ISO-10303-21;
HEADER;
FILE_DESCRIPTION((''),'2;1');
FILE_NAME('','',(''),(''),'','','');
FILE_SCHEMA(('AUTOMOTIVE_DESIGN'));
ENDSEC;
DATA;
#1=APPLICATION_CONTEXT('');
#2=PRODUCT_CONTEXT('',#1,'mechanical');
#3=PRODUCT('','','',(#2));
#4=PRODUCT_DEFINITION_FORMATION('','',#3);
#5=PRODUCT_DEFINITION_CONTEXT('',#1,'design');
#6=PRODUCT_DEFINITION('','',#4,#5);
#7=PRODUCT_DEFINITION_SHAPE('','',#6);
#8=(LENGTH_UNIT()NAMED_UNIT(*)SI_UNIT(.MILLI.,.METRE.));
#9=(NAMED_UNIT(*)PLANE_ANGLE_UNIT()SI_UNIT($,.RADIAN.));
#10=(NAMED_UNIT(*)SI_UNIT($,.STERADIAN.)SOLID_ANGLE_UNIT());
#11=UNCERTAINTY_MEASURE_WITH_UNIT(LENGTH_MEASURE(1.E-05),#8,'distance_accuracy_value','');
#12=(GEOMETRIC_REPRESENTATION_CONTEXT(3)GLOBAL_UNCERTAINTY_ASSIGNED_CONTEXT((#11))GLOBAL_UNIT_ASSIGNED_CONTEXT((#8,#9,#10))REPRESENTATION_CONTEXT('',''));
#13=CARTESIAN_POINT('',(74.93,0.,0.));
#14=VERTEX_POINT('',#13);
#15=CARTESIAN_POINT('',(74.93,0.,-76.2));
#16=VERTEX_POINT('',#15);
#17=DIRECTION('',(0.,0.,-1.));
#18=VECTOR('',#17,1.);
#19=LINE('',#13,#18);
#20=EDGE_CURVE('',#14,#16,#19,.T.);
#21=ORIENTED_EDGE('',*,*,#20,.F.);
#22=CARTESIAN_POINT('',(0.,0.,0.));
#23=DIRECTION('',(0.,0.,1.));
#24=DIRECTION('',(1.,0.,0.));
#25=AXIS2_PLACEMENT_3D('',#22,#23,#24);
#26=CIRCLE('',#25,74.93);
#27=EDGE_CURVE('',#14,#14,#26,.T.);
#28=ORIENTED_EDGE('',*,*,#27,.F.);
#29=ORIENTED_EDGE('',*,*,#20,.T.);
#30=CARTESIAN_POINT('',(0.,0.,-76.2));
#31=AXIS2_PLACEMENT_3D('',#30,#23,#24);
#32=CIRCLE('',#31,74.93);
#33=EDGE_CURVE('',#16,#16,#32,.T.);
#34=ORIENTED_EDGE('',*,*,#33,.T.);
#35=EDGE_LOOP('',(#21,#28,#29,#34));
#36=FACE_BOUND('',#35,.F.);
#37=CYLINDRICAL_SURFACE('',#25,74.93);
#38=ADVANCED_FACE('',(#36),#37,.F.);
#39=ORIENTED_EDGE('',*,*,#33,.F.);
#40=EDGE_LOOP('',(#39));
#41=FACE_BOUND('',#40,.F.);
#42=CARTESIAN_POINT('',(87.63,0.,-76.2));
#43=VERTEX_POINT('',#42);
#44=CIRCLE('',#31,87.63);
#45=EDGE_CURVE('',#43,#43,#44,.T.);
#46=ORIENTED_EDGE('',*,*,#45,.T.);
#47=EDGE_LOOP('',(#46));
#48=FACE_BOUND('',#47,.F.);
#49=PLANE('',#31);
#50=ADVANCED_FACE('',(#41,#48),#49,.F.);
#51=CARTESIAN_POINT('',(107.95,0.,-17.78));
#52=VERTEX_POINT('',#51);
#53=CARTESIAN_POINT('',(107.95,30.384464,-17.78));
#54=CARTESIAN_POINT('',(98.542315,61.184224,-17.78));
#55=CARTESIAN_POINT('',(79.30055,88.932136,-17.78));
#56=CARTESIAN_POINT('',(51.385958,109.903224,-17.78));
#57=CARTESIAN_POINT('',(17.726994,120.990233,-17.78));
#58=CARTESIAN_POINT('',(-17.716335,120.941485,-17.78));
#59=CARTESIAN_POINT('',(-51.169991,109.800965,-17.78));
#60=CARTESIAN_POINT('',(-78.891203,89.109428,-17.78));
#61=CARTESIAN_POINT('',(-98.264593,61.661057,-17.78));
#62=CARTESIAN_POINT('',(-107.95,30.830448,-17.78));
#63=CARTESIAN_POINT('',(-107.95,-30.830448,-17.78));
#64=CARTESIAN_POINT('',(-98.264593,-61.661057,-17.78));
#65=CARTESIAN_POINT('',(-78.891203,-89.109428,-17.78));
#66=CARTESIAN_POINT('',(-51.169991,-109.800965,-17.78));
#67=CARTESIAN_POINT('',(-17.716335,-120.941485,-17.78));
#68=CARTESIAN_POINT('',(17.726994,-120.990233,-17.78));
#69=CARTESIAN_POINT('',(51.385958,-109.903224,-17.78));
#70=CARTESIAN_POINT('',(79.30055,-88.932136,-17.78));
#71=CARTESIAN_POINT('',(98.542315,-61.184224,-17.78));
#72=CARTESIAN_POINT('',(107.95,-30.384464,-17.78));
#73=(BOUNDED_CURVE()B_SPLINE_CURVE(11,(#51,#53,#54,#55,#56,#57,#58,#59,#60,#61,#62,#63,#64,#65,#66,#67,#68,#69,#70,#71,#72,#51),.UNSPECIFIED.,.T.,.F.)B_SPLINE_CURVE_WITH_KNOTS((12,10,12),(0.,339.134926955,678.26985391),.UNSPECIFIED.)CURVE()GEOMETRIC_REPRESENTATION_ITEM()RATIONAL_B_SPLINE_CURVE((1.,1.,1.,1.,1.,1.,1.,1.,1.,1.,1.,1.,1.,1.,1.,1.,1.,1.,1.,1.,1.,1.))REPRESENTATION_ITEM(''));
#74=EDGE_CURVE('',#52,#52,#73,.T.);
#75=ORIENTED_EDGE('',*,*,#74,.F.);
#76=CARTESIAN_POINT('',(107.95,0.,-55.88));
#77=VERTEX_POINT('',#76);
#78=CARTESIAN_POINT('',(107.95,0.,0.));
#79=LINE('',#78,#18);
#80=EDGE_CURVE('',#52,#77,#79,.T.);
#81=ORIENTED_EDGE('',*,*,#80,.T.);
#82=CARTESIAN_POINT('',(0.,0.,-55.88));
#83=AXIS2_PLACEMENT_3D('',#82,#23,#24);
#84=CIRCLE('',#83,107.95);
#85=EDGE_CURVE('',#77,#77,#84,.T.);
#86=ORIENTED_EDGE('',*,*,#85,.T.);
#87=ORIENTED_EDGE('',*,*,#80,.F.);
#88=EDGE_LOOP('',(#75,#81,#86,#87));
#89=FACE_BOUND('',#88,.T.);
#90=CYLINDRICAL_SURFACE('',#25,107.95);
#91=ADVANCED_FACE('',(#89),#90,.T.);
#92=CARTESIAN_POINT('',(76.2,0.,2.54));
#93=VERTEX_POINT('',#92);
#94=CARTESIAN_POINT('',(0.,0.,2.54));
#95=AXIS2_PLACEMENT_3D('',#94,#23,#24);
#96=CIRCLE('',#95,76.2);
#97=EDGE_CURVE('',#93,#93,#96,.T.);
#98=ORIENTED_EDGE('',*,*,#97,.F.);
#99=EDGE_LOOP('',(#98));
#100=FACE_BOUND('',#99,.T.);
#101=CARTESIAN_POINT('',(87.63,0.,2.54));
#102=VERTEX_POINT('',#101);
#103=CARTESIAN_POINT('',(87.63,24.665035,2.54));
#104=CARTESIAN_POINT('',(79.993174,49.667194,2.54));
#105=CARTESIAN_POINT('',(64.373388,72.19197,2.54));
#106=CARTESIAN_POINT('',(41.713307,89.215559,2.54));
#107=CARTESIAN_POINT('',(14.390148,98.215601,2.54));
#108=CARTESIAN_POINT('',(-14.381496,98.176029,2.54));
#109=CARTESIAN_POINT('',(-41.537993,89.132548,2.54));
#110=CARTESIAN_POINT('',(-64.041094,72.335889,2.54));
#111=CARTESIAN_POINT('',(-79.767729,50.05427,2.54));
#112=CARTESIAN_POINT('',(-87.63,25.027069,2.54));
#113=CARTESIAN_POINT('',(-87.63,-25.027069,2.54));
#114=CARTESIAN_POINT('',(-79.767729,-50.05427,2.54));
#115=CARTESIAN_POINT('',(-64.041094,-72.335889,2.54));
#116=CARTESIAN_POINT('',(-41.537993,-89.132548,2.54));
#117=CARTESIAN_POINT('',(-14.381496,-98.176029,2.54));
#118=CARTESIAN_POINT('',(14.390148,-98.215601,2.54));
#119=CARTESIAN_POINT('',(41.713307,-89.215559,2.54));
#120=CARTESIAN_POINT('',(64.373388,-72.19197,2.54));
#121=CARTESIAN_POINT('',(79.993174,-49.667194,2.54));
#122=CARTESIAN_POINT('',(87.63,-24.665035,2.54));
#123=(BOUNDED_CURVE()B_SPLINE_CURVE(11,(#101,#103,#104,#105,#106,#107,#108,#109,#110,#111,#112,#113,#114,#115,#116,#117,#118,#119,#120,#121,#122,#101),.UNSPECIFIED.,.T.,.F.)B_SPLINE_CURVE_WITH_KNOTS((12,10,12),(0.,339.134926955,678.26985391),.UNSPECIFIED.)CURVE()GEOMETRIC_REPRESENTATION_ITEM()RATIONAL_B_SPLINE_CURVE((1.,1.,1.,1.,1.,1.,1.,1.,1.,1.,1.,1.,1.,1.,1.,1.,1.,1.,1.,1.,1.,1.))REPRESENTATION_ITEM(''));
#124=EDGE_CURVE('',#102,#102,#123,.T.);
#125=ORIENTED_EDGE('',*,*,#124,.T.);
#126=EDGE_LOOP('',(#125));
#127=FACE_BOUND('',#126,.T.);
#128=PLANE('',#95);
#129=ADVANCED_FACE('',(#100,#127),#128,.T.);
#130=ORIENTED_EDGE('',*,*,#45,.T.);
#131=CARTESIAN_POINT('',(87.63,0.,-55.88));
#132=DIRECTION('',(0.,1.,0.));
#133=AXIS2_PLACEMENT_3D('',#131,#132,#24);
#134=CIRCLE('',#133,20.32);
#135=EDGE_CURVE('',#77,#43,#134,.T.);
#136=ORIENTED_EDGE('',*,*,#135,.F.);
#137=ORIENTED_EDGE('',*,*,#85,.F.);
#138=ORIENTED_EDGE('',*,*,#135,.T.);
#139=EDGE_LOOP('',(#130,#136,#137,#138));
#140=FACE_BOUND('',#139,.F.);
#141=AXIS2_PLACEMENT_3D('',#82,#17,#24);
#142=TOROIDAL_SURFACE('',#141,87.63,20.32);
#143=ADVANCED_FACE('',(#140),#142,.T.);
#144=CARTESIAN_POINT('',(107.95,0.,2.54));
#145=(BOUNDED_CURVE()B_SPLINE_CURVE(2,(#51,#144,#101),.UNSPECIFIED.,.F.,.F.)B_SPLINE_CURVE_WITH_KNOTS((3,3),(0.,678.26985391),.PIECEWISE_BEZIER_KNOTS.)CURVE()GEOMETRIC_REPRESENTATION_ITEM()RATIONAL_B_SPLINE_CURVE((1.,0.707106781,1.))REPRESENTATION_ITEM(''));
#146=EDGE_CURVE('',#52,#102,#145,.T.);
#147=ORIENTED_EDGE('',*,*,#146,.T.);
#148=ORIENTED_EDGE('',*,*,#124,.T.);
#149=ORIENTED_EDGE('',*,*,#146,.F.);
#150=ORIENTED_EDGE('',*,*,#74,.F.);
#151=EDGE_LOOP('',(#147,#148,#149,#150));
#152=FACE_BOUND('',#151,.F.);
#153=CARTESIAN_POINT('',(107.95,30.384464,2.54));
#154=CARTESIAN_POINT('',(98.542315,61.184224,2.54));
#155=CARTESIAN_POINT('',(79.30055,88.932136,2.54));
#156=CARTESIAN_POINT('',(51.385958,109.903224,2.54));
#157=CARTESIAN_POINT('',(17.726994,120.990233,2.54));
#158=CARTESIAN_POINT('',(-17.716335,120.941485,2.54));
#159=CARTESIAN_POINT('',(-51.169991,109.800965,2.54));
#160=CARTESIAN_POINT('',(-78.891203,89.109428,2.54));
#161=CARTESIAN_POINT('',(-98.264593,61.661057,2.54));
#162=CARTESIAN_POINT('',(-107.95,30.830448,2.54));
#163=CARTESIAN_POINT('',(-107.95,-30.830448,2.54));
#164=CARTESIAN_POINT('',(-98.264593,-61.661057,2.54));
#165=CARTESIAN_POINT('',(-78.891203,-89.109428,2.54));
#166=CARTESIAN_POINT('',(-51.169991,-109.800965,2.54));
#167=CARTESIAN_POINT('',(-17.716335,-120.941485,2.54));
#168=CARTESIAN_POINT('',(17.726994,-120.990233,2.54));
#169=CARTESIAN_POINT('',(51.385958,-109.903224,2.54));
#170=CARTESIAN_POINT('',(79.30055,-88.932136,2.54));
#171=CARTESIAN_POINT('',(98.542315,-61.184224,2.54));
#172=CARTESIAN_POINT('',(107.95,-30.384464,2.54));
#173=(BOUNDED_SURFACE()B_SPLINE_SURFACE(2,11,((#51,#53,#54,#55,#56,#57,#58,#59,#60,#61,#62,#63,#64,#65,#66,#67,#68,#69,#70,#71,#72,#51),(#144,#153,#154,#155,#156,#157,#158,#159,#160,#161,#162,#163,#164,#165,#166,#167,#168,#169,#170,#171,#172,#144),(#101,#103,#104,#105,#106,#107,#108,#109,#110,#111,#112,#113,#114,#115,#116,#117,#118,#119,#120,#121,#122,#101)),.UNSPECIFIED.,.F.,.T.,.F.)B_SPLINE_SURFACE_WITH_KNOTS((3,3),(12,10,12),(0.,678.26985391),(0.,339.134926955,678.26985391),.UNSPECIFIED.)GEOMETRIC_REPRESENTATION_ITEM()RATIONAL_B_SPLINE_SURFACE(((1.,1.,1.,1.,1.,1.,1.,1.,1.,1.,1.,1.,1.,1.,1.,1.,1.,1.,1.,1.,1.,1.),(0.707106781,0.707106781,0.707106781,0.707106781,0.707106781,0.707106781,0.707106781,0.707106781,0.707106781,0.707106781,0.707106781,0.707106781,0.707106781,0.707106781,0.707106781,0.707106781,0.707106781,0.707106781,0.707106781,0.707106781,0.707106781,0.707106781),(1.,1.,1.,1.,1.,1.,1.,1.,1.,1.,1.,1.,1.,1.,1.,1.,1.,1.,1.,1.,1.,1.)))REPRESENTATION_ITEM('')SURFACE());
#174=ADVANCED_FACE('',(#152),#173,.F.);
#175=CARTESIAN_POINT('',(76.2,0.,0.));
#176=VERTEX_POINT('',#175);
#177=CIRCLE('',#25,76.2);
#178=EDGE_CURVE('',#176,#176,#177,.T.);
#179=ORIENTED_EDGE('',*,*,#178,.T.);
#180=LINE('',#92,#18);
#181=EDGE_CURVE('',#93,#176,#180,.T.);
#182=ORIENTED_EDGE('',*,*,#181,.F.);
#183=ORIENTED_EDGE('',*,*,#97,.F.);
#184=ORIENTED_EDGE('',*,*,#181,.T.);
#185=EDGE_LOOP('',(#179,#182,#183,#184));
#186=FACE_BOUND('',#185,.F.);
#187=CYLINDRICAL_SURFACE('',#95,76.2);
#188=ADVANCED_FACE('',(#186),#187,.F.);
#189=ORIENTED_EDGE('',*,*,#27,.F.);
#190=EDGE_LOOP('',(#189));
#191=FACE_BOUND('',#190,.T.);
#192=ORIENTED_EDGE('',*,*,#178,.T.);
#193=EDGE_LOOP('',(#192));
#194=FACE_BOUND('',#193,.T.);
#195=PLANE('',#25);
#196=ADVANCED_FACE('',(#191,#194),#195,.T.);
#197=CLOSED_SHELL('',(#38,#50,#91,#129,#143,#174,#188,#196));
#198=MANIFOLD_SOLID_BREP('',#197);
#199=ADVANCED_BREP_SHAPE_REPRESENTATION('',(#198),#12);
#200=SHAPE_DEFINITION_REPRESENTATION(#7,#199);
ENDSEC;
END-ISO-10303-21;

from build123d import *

# Parameters (mm, degrees)
F0_R          = 107.95
F0_R_2        = 74.93
F1_DEPTH      = 76.2
F1_DEPTH_BACK = 2.54
F2_R          = 76.2
F2_R_2        = 74.93
F3_DEPTH      = 2.54
F4_R          = 20.32


with BuildPart() as f1:
    # F0 (on Top) → F1 (new body, two sides)
    with BuildSketch(Plane.XY) as f1_sk:
        Circle(F0_R)
        Circle(F0_R_2, mode=Mode.SUBTRACT)
    extrude(amount=-F1_DEPTH)
    extrude(f1_sk.sketch, amount=F1_DEPTH_BACK)

    # F2 (on face) → F3 (cut)
    with BuildSketch(Plane.XY.offset(2.54)):
        Circle(F2_R)
        Circle(F2_R_2, mode=Mode.SUBTRACT)
    extrude(amount=-F3_DEPTH, mode=Mode.SUBTRACT)

    # F4
    f4_edges = [f1.edges().sort_by_distance(p)[0] for p in [
        (-107.95, 0, 2.54),
        (-107.95, 0, -76.2),
    ]]
    fillet(f4_edges, radius=F4_R)


solid = f1.part
